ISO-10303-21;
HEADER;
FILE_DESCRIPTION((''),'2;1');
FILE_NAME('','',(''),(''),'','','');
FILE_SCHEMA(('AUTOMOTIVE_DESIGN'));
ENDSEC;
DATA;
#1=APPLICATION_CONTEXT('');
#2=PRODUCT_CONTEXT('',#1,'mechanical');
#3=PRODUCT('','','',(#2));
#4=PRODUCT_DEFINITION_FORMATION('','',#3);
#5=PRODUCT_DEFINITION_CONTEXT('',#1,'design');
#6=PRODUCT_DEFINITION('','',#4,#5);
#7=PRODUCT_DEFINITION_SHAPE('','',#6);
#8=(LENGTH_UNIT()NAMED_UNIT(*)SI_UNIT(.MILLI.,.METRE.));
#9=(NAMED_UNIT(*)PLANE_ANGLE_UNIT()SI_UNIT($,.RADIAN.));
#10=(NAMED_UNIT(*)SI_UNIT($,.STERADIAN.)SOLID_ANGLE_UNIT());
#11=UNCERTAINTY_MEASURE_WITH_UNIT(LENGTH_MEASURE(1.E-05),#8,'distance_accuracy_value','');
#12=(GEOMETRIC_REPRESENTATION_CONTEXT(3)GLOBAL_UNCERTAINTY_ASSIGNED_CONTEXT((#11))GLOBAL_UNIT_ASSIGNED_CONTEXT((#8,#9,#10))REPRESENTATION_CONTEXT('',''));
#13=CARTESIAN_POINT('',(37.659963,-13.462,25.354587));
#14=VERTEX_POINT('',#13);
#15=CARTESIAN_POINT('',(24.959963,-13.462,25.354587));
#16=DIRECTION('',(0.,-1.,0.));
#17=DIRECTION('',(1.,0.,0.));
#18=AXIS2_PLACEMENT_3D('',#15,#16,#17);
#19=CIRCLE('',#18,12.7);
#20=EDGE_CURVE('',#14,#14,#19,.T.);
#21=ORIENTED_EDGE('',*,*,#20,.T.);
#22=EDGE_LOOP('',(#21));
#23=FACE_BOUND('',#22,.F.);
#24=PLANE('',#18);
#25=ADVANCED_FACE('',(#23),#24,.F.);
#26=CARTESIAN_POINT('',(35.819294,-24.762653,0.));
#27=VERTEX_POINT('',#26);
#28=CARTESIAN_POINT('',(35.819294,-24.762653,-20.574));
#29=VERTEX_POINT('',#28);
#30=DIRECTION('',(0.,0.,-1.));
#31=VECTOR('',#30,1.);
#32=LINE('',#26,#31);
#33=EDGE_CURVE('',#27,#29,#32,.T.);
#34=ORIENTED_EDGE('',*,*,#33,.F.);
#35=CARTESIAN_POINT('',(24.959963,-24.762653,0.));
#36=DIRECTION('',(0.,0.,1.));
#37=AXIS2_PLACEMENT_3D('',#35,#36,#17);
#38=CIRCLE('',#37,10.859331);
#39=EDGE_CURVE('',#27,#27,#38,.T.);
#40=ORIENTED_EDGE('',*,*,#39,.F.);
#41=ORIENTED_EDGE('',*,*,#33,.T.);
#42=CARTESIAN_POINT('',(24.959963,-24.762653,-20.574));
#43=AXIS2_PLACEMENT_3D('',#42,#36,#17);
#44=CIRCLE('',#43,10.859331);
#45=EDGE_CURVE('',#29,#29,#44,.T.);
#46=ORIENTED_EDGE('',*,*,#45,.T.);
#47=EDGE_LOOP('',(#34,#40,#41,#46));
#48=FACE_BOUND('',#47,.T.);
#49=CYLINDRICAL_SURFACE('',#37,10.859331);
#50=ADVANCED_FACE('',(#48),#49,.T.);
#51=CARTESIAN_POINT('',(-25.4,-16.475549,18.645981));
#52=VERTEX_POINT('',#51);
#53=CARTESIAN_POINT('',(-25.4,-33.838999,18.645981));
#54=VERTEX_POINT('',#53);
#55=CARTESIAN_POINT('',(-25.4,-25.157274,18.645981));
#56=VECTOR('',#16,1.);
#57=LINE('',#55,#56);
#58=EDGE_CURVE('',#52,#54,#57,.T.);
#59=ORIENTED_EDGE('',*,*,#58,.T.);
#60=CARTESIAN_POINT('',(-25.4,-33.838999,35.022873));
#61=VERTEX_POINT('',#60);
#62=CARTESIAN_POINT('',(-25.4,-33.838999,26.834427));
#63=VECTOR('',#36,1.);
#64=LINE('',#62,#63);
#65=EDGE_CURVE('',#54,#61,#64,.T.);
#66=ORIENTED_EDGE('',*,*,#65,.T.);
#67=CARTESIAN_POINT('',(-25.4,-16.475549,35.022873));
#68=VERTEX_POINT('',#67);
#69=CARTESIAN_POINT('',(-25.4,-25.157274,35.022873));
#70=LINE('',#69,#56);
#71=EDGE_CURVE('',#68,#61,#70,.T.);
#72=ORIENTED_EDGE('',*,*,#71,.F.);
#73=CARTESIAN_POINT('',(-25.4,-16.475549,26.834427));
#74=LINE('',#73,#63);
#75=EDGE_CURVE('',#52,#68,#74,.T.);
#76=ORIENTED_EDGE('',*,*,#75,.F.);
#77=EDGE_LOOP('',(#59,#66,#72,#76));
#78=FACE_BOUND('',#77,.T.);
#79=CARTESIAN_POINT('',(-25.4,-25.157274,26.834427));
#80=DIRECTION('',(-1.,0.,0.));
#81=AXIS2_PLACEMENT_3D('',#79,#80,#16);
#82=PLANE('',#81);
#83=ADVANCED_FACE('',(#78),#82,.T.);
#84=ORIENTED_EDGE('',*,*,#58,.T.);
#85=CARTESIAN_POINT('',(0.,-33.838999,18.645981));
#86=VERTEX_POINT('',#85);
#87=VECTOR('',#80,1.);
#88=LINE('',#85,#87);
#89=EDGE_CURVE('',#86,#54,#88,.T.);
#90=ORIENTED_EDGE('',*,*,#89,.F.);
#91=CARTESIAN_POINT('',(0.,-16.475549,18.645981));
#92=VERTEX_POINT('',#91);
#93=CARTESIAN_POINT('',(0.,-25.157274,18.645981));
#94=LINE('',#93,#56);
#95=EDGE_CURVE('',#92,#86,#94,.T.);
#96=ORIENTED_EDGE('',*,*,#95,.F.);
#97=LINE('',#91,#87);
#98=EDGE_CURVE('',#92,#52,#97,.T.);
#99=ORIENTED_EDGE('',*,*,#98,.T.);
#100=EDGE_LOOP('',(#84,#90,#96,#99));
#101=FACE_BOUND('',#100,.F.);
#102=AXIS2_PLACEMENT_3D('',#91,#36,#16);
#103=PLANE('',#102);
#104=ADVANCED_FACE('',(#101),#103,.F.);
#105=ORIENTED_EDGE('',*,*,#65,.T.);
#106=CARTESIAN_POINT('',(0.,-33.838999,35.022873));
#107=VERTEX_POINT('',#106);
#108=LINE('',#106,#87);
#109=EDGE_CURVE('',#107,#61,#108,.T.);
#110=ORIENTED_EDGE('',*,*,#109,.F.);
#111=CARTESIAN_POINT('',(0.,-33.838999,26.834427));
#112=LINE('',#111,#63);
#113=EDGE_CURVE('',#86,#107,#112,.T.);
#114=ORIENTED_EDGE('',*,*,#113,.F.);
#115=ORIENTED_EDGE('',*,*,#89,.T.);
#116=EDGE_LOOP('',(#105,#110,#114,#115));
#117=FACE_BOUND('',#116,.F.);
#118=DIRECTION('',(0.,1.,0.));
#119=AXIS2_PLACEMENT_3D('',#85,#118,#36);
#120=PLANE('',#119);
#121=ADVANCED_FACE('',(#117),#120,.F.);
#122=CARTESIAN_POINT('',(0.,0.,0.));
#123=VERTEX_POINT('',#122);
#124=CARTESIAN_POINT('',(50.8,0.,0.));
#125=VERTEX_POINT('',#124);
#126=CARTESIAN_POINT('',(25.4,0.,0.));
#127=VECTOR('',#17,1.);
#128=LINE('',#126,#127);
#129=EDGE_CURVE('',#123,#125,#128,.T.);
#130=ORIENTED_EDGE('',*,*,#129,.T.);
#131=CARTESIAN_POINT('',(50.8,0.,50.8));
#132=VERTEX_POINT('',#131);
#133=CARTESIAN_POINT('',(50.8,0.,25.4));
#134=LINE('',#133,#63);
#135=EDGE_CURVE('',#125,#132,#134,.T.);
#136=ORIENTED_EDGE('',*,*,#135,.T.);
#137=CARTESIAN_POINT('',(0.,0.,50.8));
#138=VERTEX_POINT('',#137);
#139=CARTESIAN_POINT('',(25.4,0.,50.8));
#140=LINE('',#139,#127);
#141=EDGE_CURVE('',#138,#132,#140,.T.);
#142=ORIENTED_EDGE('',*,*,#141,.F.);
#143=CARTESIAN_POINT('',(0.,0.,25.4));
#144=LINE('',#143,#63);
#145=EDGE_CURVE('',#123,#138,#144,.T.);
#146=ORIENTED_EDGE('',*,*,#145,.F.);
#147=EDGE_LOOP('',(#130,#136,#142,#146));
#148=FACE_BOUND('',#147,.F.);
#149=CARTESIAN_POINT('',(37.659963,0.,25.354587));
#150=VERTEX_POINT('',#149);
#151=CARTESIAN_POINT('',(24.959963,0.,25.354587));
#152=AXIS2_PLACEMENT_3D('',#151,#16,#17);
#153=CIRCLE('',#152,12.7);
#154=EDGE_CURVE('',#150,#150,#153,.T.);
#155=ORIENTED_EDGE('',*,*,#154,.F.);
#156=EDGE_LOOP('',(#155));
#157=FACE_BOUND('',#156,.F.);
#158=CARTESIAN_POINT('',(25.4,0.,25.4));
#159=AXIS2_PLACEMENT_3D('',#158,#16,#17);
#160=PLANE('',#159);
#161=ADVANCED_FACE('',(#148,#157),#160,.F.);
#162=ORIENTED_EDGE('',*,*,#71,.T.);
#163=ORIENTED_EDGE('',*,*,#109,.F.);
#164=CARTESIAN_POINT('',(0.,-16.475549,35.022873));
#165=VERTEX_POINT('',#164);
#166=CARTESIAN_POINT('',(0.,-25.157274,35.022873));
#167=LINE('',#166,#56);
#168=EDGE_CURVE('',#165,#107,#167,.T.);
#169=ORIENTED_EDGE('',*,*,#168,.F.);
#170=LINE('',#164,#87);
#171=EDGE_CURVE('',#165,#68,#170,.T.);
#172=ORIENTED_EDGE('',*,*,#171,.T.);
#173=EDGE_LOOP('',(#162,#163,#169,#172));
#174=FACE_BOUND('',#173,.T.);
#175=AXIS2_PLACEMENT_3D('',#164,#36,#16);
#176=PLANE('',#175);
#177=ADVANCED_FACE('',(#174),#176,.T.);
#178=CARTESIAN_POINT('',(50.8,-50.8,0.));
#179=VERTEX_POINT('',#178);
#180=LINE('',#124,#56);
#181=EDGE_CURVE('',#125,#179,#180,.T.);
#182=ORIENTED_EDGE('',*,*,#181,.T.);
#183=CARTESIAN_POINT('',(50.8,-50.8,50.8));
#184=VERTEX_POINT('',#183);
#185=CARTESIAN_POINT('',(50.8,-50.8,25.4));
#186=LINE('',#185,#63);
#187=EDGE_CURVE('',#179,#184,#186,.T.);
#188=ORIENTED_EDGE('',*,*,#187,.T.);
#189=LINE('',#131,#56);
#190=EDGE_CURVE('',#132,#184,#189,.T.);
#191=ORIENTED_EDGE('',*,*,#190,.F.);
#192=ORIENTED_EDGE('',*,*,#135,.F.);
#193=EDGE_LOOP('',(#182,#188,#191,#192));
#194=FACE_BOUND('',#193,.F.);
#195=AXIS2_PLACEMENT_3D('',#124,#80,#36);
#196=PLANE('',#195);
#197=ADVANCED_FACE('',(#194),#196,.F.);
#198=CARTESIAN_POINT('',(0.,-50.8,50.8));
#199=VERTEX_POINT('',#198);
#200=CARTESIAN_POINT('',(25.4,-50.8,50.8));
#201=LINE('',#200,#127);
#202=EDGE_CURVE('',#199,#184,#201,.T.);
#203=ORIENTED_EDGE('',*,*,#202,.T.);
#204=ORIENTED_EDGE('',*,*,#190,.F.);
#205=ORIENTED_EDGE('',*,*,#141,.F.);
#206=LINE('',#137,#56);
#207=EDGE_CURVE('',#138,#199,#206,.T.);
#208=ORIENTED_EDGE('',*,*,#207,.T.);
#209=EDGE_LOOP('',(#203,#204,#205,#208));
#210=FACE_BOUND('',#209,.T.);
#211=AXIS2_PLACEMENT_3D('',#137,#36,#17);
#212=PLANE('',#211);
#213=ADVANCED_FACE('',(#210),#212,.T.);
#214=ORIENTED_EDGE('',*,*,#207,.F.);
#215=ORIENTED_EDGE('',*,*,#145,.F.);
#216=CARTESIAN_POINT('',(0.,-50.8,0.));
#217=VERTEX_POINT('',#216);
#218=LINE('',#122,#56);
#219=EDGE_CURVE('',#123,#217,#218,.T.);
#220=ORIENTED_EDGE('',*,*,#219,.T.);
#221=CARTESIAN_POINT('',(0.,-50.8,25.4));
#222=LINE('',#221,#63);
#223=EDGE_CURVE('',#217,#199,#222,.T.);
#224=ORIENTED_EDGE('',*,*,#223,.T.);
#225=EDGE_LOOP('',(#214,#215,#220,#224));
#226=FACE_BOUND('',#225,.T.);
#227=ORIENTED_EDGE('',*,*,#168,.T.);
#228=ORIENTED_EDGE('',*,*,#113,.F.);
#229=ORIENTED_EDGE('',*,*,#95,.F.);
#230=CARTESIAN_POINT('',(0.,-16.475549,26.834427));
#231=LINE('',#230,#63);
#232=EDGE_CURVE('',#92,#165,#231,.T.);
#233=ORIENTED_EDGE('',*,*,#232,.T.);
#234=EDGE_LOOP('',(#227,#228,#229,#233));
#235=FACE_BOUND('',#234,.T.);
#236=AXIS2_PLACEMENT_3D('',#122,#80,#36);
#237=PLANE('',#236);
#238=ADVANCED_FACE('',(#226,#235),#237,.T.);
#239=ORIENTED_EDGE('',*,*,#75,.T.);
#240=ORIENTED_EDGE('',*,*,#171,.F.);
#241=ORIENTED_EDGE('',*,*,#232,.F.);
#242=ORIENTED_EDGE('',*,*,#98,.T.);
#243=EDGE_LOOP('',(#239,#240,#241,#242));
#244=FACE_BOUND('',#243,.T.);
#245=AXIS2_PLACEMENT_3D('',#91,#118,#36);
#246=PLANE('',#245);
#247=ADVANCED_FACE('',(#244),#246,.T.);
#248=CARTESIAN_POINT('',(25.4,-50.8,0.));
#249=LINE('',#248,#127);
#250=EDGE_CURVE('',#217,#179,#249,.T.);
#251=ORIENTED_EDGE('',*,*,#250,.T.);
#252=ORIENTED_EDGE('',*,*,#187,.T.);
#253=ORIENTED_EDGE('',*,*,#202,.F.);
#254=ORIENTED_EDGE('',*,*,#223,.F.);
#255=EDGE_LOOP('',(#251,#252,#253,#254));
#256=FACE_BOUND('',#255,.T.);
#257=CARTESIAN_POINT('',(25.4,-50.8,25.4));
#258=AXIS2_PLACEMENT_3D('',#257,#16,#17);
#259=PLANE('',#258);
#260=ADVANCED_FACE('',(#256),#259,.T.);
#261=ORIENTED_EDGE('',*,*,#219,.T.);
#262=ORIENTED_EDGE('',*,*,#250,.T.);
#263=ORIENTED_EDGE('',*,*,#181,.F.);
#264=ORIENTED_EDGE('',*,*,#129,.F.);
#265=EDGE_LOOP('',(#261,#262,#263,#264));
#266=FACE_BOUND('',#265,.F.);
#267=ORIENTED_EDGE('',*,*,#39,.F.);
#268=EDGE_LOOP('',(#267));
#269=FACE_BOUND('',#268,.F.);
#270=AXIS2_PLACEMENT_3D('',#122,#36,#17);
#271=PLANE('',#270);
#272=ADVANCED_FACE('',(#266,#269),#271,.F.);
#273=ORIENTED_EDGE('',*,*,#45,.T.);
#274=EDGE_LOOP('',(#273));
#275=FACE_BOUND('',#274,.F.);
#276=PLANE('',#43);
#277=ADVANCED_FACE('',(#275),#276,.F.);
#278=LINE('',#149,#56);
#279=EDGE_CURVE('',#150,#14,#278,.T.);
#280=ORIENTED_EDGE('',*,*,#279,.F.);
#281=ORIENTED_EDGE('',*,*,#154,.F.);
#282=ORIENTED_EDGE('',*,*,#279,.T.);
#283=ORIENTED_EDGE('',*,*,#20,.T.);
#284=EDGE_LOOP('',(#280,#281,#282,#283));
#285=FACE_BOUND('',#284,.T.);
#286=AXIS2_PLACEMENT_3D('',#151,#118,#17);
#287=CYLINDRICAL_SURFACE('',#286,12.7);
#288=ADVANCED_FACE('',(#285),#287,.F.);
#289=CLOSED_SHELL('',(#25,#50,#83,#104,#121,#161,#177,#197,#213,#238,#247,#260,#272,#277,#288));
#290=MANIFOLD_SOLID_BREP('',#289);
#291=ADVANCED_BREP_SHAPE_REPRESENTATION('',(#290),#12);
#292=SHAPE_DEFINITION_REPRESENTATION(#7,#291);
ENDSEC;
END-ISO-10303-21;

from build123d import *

# Parameters (mm, degrees)
F0_W     = 50.8
F0_H     = 50.8
F1_DEPTH = 50.8
F2_R     = 12.7
F3_DEPTH = 13.462
F4_R     = 10.859331
F5_DEPTH = 20.574
F6_W     = 17.36345
F6_H     = 16.376892
F7_DEPTH = 25.4


with BuildPart() as f1:
    # F0 (on Front) → F1 (new body)
    with BuildSketch(Plane.XZ):
        with Locations((25.4, 25.4)):
            Rectangle(F0_W, F0_H)
    extrude(amount=F1_DEPTH)

    # F2 (on Front) → F3 (cut)
    with BuildSketch(Plane.XZ):
        with Locations((24.959963, 25.354587)):
            Circle(F2_R)
    extrude(amount=F3_DEPTH, mode=Mode.SUBTRACT)

    # F4 (on Top) → F5 (join)
    with BuildSketch(Plane.XY):
        with Locations((24.959963, -24.762653)):
            Circle(F4_R)
    extrude(amount=-F5_DEPTH)

    # F6 (on face) → F7 (join)
    with BuildSketch(Plane(origin=(0, 0, 0), x_dir=(0, -1, 0), z_dir=(-1, 0, 0))):
        with Locations((25.157274, 26.834427)):
            Rectangle(F6_W, F6_H)
    extrude(amount=F7_DEPTH)


solid = f1.part
